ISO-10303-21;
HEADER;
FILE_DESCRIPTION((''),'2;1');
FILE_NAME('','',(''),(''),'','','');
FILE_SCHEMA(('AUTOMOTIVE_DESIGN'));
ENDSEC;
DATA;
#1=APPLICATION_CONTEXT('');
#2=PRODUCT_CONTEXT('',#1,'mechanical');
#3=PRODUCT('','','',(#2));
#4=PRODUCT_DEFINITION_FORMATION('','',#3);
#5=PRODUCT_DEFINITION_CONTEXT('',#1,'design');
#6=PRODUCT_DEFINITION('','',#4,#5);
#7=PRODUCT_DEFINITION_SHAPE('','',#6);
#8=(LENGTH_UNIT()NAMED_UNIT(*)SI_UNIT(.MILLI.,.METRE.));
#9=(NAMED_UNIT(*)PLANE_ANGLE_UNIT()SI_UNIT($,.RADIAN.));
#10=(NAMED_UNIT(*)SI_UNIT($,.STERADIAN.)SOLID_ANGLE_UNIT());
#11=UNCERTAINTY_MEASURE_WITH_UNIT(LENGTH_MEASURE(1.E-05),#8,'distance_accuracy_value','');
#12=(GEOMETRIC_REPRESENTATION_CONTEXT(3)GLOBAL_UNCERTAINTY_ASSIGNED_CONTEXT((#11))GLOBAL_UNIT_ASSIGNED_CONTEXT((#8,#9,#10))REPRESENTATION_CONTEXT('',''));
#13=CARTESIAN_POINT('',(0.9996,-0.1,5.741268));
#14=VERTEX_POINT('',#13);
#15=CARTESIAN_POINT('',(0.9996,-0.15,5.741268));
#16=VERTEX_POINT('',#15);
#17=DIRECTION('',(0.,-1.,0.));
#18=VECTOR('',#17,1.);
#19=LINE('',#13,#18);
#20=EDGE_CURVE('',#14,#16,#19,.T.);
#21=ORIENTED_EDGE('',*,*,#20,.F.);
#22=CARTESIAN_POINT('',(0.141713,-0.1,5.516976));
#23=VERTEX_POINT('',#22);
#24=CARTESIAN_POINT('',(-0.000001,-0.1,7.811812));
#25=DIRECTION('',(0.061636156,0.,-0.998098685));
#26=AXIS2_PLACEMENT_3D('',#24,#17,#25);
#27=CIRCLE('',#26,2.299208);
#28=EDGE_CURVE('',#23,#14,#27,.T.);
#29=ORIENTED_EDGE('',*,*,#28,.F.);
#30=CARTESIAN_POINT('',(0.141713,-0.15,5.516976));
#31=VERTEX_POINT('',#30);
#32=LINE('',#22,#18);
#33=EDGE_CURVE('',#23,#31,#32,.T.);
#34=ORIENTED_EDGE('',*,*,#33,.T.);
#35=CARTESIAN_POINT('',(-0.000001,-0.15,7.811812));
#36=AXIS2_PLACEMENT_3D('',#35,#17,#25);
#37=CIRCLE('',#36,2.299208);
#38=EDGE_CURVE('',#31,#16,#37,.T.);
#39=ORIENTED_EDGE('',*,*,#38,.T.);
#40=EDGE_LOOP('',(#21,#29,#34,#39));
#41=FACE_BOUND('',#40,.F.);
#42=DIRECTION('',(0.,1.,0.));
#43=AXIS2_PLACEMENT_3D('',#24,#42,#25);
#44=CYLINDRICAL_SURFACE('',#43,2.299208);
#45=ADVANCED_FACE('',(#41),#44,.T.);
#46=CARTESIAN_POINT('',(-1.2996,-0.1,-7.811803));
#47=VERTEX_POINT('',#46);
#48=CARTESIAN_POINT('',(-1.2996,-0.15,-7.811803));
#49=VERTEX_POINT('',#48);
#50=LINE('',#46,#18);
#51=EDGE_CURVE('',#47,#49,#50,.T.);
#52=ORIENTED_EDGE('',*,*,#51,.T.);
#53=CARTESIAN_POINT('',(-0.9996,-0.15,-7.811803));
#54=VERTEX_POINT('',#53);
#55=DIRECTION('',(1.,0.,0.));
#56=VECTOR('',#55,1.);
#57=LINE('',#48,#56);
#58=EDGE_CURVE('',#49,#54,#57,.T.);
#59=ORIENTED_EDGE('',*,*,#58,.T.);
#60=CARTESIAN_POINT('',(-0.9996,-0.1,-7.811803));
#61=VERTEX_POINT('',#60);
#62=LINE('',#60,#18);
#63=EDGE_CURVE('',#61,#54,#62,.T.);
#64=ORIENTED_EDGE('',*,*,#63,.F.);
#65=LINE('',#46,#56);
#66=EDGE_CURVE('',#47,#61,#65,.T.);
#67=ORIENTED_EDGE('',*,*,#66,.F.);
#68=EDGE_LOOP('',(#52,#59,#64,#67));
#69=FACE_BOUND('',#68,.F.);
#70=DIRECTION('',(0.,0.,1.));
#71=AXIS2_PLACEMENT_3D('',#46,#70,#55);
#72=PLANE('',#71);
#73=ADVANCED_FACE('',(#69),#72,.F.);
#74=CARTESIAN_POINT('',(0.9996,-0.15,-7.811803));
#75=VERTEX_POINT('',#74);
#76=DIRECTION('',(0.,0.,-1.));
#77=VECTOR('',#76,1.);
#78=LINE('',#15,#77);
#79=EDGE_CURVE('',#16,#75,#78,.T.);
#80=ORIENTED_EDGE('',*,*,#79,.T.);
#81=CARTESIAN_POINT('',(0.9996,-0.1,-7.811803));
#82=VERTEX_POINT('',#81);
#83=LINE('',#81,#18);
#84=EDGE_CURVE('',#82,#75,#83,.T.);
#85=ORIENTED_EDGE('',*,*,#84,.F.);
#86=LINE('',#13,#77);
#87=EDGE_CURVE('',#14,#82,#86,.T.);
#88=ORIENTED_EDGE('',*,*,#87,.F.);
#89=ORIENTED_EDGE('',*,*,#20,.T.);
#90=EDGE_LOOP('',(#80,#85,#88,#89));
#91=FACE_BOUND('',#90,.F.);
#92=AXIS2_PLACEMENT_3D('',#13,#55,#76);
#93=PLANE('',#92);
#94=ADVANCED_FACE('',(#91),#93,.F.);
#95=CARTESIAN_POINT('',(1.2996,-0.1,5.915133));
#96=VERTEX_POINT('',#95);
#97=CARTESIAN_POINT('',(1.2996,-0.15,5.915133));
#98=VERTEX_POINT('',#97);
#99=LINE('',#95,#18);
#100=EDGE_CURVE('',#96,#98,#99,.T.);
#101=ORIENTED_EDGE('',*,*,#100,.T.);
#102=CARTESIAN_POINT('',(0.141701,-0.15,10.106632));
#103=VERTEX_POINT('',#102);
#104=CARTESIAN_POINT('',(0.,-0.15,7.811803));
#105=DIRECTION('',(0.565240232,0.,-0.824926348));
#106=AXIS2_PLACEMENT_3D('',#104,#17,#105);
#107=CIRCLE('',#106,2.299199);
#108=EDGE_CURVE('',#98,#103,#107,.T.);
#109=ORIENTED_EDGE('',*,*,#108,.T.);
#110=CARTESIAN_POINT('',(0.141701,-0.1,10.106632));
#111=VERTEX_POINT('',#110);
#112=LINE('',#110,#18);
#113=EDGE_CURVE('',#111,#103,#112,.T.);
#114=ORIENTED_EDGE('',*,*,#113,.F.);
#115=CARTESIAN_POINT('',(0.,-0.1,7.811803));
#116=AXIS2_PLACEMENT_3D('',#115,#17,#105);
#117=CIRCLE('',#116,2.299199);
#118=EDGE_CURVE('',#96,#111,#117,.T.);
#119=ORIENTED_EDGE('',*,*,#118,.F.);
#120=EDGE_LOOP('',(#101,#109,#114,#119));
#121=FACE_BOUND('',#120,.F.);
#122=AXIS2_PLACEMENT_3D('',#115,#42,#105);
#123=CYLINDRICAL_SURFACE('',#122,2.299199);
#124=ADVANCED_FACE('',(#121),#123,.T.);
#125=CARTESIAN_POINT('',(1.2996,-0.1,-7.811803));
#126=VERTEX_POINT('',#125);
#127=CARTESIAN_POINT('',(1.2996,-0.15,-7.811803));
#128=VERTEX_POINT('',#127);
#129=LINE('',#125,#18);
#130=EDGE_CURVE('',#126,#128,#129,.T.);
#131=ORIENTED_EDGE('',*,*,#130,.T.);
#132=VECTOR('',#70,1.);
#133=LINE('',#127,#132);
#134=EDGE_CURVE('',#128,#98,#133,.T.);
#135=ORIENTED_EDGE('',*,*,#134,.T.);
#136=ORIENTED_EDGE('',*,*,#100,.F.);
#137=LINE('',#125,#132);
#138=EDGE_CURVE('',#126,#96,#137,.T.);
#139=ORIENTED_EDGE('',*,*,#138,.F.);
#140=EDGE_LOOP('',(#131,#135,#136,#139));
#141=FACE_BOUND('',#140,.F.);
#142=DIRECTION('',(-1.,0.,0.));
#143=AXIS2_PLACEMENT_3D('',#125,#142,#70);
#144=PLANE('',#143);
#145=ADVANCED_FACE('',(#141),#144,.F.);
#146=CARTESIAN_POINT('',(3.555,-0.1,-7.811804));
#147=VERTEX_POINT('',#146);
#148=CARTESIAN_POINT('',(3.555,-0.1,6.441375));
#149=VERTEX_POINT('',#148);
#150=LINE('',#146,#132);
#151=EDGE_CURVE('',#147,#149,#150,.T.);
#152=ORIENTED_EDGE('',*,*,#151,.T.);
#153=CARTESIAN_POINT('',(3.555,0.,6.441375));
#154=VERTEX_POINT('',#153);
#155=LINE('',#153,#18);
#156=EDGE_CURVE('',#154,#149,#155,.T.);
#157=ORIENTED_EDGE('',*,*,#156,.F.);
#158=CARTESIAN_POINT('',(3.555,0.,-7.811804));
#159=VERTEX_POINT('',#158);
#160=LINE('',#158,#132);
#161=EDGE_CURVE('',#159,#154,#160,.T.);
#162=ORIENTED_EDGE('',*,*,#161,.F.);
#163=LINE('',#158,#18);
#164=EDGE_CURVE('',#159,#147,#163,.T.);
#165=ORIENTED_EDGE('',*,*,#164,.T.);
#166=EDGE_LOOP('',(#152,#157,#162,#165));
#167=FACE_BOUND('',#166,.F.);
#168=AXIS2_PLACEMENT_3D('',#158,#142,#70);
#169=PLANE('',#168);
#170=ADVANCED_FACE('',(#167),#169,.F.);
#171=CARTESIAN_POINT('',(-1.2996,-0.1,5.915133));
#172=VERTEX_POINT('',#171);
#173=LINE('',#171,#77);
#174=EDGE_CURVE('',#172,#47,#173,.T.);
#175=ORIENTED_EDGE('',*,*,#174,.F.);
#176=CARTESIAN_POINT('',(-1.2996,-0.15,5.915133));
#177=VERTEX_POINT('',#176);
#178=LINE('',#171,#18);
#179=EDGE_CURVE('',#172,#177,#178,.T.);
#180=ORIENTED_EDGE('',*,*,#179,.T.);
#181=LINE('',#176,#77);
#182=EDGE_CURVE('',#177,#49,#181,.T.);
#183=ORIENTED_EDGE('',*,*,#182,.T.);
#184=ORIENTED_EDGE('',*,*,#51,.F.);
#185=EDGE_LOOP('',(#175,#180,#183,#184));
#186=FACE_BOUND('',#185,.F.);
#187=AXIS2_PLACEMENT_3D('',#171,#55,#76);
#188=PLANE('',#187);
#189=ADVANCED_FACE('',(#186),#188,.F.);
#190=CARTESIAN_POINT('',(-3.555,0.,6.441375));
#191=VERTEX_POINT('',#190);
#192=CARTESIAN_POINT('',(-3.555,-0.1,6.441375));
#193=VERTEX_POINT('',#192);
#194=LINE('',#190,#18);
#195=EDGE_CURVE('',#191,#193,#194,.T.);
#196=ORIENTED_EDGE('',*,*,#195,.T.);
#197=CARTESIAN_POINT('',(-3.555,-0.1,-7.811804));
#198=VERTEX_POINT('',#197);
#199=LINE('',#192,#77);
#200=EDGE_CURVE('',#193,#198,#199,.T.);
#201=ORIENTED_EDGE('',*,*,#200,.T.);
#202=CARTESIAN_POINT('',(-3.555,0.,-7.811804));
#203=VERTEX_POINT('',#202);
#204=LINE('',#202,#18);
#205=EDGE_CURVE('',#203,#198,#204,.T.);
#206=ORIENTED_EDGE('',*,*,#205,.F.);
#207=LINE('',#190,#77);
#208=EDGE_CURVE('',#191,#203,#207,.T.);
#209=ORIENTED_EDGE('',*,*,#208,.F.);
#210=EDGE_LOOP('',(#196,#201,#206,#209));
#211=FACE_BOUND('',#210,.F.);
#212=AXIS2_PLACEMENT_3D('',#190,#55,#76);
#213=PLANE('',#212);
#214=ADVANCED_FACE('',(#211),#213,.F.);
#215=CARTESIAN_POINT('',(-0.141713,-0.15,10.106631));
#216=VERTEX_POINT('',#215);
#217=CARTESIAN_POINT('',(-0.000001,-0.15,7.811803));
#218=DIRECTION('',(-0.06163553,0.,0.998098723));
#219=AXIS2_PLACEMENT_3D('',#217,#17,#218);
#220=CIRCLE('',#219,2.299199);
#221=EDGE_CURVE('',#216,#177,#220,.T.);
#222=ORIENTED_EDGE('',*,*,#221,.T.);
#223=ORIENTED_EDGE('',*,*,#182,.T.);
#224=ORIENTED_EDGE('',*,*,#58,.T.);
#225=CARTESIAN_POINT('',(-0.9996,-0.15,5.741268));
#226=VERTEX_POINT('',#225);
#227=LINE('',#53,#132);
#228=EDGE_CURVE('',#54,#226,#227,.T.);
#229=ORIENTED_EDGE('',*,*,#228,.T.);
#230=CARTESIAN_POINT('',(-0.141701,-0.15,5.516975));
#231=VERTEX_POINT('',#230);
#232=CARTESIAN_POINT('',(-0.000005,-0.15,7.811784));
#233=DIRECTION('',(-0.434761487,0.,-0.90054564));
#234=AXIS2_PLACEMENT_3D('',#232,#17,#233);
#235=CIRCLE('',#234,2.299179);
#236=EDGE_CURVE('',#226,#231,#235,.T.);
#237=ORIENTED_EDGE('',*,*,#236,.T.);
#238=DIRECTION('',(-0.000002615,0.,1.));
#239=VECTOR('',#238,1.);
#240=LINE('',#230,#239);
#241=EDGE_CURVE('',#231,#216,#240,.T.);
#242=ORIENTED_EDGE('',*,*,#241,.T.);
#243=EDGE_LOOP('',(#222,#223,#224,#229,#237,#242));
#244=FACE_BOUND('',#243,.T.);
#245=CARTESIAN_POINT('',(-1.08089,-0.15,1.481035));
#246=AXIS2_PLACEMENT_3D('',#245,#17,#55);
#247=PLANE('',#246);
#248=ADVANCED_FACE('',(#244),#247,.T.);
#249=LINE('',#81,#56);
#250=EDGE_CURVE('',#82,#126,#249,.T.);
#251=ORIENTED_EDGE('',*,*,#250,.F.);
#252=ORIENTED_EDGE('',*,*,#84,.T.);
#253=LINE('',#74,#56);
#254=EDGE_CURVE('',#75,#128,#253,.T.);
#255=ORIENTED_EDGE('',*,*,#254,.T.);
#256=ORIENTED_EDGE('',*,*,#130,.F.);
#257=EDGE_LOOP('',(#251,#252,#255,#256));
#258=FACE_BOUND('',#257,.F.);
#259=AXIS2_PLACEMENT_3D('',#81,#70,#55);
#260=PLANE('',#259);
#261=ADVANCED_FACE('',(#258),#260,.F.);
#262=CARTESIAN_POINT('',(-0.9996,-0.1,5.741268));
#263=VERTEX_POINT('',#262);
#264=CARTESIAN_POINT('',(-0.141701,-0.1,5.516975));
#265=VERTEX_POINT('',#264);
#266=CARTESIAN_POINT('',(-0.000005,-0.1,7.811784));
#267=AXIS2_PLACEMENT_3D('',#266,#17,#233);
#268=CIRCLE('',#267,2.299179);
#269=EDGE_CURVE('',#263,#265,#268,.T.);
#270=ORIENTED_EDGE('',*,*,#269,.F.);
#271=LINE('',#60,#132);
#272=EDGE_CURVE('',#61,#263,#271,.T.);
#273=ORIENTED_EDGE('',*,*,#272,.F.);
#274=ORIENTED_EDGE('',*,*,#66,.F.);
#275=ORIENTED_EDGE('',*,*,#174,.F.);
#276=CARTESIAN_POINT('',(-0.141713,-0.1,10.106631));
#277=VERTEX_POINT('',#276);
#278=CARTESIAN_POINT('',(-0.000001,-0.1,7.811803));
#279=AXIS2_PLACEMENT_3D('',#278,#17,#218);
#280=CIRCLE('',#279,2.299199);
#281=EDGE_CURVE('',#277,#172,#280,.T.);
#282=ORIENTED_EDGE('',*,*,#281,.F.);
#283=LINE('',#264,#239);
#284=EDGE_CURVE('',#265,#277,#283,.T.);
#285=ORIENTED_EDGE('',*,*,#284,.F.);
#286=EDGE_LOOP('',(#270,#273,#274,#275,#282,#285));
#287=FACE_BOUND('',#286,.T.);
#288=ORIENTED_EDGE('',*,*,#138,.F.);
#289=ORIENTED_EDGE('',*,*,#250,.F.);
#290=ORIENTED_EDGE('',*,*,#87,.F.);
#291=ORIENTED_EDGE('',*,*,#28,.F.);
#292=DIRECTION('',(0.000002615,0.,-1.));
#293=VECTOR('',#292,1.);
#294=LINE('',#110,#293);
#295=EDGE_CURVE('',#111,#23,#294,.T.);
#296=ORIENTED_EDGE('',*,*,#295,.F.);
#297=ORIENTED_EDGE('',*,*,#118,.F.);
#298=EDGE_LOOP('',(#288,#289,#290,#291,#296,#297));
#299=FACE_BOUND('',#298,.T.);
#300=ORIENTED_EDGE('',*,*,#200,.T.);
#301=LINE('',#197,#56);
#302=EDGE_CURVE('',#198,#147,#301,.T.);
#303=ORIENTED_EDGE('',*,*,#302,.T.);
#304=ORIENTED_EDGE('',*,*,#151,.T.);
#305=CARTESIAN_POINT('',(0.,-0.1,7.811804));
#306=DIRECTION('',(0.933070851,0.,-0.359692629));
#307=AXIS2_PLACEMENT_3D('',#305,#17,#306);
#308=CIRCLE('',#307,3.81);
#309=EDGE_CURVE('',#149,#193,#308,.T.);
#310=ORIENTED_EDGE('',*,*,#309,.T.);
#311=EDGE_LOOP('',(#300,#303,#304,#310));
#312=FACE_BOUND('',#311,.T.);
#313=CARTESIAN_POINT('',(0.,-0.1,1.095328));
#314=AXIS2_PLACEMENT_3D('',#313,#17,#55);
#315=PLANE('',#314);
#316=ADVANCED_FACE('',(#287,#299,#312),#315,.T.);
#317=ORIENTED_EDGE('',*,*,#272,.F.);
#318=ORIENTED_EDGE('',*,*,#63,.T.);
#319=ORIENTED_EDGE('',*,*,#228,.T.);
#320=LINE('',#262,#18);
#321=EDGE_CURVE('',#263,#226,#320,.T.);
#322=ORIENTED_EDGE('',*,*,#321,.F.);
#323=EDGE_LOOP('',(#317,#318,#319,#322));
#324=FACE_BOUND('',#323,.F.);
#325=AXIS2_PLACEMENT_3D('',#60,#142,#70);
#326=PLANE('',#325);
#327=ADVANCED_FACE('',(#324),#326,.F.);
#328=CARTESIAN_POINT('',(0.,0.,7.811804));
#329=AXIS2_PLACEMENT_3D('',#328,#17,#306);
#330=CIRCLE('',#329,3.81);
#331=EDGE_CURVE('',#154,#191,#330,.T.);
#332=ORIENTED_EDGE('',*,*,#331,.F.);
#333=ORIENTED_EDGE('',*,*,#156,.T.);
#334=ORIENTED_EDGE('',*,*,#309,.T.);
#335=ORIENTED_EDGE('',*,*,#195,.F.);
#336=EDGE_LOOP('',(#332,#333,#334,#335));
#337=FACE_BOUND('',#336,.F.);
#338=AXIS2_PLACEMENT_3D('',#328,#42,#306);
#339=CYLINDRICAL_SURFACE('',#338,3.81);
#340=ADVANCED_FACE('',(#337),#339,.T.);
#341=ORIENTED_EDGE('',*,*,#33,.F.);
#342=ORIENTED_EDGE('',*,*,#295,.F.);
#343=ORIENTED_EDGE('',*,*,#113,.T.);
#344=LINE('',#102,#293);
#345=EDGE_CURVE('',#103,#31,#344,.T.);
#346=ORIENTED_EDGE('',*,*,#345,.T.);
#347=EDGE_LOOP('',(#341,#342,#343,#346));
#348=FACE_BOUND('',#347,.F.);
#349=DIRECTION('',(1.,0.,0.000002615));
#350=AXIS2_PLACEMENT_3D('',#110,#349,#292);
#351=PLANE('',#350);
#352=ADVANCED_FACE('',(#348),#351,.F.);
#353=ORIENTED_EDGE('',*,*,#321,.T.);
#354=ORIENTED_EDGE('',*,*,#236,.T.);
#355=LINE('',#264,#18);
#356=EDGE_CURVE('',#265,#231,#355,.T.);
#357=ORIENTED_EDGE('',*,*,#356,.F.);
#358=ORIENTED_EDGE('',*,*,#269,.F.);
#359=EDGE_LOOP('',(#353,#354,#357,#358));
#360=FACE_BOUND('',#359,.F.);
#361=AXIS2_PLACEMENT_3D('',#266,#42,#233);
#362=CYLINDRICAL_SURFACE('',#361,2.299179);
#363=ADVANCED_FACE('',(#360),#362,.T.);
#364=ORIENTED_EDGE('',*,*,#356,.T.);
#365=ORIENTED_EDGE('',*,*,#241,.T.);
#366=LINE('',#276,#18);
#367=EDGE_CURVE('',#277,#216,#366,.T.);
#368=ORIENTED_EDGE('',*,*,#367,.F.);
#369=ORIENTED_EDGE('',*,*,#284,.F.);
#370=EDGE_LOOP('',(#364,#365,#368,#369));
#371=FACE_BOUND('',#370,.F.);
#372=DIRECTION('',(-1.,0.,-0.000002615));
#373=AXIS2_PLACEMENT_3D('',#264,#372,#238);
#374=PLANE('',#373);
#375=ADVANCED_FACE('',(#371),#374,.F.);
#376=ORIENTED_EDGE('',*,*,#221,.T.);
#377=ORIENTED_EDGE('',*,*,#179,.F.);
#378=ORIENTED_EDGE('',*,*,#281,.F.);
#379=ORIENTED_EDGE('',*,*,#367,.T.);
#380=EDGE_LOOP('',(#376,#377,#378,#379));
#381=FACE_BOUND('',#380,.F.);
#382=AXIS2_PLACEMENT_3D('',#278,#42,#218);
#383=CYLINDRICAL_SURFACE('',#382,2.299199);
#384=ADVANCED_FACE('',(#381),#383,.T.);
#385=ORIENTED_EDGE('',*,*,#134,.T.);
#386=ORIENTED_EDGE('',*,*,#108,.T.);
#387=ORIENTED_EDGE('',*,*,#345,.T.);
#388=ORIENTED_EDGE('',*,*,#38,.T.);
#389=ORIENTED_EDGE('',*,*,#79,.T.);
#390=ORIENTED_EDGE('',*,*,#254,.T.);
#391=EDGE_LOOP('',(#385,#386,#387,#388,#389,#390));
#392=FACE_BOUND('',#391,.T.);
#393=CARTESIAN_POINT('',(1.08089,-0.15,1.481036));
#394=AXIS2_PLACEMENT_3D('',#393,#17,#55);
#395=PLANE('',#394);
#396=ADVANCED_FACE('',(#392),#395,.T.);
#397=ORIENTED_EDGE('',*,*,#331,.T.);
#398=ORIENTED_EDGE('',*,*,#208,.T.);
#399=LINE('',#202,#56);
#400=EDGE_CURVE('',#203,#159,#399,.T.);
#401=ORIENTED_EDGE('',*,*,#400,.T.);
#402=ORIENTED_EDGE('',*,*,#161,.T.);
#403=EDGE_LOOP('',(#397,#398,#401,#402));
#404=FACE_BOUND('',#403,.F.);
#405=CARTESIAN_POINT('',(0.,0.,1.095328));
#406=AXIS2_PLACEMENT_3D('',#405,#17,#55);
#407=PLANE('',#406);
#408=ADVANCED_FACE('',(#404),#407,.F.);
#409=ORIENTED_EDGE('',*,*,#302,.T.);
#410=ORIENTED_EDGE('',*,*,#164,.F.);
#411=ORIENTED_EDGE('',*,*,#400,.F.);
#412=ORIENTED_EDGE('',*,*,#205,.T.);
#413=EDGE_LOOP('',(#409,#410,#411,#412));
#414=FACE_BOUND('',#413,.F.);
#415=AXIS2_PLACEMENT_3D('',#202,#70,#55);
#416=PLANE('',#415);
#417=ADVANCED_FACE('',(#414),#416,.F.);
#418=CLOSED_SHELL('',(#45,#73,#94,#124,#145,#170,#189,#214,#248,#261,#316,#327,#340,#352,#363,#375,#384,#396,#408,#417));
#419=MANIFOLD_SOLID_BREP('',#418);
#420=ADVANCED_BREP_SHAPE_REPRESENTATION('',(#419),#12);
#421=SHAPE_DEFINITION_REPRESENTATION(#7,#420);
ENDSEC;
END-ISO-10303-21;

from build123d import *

# Parameters (mm, degrees)
F1_DEPTH = 0.1
F3_DEPTH = 0.05


with BuildPart() as f1:
    # F0 (on Front) → F1 (new body)
    with BuildSketch(Plane.XZ):
        with BuildLine():
            Line((-3.555, -7.811804), (3.555, -7.811804))
            Line((3.555, -7.811804), (3.555, 6.441375))
            ThreePointArc((3.555, 6.441375), (0, 11.621804), (-3.555, 6.441375))
            Line((-3.555, 6.441375), (-3.555, -7.811804))
        make_face()
    extrude(amount=F1_DEPTH)

    # F2 (on face) → F3 (join)
    with BuildSketch(Plane.XZ.offset(0.1)):
        with BuildLine():
            Line((-0.141701, 5.516975), (-0.141713, 10.106631))
            ThreePointArc((-0.141713, 10.106631), (-2.216193, 8.424019), (-1.2996, 5.915133))
            Line((-1.2996, 5.915133), (-1.2996, -7.811803))
            Line((-1.2996, -7.811803), (-0.9996, -7.811803))
            Line((-0.9996, -7.811803), (-0.9996, 5.741268))
            ThreePointArc((-0.9996, 5.741268), (-0.581566, 5.587371), (-0.141701, 5.516975))
        make_face()
        with BuildLine():
            ThreePointArc((1.2996, 5.915133), (2.216191, 8.424025), (0.141701, 10.106632))
            Line((0.141701, 10.106632), (0.141713, 5.516976))
            ThreePointArc((0.141713, 5.516976), (0.581571, 5.587373), (0.9996, 5.741268))
            Line((0.9996, 5.741268), (0.9996, -7.811803))
            Line((0.9996, -7.811803), (1.2996, -7.811803))
            Line((1.2996, -7.811803), (1.2996, 5.915133))
        make_face()
    extrude(amount=F3_DEPTH)


solid = f1.part
